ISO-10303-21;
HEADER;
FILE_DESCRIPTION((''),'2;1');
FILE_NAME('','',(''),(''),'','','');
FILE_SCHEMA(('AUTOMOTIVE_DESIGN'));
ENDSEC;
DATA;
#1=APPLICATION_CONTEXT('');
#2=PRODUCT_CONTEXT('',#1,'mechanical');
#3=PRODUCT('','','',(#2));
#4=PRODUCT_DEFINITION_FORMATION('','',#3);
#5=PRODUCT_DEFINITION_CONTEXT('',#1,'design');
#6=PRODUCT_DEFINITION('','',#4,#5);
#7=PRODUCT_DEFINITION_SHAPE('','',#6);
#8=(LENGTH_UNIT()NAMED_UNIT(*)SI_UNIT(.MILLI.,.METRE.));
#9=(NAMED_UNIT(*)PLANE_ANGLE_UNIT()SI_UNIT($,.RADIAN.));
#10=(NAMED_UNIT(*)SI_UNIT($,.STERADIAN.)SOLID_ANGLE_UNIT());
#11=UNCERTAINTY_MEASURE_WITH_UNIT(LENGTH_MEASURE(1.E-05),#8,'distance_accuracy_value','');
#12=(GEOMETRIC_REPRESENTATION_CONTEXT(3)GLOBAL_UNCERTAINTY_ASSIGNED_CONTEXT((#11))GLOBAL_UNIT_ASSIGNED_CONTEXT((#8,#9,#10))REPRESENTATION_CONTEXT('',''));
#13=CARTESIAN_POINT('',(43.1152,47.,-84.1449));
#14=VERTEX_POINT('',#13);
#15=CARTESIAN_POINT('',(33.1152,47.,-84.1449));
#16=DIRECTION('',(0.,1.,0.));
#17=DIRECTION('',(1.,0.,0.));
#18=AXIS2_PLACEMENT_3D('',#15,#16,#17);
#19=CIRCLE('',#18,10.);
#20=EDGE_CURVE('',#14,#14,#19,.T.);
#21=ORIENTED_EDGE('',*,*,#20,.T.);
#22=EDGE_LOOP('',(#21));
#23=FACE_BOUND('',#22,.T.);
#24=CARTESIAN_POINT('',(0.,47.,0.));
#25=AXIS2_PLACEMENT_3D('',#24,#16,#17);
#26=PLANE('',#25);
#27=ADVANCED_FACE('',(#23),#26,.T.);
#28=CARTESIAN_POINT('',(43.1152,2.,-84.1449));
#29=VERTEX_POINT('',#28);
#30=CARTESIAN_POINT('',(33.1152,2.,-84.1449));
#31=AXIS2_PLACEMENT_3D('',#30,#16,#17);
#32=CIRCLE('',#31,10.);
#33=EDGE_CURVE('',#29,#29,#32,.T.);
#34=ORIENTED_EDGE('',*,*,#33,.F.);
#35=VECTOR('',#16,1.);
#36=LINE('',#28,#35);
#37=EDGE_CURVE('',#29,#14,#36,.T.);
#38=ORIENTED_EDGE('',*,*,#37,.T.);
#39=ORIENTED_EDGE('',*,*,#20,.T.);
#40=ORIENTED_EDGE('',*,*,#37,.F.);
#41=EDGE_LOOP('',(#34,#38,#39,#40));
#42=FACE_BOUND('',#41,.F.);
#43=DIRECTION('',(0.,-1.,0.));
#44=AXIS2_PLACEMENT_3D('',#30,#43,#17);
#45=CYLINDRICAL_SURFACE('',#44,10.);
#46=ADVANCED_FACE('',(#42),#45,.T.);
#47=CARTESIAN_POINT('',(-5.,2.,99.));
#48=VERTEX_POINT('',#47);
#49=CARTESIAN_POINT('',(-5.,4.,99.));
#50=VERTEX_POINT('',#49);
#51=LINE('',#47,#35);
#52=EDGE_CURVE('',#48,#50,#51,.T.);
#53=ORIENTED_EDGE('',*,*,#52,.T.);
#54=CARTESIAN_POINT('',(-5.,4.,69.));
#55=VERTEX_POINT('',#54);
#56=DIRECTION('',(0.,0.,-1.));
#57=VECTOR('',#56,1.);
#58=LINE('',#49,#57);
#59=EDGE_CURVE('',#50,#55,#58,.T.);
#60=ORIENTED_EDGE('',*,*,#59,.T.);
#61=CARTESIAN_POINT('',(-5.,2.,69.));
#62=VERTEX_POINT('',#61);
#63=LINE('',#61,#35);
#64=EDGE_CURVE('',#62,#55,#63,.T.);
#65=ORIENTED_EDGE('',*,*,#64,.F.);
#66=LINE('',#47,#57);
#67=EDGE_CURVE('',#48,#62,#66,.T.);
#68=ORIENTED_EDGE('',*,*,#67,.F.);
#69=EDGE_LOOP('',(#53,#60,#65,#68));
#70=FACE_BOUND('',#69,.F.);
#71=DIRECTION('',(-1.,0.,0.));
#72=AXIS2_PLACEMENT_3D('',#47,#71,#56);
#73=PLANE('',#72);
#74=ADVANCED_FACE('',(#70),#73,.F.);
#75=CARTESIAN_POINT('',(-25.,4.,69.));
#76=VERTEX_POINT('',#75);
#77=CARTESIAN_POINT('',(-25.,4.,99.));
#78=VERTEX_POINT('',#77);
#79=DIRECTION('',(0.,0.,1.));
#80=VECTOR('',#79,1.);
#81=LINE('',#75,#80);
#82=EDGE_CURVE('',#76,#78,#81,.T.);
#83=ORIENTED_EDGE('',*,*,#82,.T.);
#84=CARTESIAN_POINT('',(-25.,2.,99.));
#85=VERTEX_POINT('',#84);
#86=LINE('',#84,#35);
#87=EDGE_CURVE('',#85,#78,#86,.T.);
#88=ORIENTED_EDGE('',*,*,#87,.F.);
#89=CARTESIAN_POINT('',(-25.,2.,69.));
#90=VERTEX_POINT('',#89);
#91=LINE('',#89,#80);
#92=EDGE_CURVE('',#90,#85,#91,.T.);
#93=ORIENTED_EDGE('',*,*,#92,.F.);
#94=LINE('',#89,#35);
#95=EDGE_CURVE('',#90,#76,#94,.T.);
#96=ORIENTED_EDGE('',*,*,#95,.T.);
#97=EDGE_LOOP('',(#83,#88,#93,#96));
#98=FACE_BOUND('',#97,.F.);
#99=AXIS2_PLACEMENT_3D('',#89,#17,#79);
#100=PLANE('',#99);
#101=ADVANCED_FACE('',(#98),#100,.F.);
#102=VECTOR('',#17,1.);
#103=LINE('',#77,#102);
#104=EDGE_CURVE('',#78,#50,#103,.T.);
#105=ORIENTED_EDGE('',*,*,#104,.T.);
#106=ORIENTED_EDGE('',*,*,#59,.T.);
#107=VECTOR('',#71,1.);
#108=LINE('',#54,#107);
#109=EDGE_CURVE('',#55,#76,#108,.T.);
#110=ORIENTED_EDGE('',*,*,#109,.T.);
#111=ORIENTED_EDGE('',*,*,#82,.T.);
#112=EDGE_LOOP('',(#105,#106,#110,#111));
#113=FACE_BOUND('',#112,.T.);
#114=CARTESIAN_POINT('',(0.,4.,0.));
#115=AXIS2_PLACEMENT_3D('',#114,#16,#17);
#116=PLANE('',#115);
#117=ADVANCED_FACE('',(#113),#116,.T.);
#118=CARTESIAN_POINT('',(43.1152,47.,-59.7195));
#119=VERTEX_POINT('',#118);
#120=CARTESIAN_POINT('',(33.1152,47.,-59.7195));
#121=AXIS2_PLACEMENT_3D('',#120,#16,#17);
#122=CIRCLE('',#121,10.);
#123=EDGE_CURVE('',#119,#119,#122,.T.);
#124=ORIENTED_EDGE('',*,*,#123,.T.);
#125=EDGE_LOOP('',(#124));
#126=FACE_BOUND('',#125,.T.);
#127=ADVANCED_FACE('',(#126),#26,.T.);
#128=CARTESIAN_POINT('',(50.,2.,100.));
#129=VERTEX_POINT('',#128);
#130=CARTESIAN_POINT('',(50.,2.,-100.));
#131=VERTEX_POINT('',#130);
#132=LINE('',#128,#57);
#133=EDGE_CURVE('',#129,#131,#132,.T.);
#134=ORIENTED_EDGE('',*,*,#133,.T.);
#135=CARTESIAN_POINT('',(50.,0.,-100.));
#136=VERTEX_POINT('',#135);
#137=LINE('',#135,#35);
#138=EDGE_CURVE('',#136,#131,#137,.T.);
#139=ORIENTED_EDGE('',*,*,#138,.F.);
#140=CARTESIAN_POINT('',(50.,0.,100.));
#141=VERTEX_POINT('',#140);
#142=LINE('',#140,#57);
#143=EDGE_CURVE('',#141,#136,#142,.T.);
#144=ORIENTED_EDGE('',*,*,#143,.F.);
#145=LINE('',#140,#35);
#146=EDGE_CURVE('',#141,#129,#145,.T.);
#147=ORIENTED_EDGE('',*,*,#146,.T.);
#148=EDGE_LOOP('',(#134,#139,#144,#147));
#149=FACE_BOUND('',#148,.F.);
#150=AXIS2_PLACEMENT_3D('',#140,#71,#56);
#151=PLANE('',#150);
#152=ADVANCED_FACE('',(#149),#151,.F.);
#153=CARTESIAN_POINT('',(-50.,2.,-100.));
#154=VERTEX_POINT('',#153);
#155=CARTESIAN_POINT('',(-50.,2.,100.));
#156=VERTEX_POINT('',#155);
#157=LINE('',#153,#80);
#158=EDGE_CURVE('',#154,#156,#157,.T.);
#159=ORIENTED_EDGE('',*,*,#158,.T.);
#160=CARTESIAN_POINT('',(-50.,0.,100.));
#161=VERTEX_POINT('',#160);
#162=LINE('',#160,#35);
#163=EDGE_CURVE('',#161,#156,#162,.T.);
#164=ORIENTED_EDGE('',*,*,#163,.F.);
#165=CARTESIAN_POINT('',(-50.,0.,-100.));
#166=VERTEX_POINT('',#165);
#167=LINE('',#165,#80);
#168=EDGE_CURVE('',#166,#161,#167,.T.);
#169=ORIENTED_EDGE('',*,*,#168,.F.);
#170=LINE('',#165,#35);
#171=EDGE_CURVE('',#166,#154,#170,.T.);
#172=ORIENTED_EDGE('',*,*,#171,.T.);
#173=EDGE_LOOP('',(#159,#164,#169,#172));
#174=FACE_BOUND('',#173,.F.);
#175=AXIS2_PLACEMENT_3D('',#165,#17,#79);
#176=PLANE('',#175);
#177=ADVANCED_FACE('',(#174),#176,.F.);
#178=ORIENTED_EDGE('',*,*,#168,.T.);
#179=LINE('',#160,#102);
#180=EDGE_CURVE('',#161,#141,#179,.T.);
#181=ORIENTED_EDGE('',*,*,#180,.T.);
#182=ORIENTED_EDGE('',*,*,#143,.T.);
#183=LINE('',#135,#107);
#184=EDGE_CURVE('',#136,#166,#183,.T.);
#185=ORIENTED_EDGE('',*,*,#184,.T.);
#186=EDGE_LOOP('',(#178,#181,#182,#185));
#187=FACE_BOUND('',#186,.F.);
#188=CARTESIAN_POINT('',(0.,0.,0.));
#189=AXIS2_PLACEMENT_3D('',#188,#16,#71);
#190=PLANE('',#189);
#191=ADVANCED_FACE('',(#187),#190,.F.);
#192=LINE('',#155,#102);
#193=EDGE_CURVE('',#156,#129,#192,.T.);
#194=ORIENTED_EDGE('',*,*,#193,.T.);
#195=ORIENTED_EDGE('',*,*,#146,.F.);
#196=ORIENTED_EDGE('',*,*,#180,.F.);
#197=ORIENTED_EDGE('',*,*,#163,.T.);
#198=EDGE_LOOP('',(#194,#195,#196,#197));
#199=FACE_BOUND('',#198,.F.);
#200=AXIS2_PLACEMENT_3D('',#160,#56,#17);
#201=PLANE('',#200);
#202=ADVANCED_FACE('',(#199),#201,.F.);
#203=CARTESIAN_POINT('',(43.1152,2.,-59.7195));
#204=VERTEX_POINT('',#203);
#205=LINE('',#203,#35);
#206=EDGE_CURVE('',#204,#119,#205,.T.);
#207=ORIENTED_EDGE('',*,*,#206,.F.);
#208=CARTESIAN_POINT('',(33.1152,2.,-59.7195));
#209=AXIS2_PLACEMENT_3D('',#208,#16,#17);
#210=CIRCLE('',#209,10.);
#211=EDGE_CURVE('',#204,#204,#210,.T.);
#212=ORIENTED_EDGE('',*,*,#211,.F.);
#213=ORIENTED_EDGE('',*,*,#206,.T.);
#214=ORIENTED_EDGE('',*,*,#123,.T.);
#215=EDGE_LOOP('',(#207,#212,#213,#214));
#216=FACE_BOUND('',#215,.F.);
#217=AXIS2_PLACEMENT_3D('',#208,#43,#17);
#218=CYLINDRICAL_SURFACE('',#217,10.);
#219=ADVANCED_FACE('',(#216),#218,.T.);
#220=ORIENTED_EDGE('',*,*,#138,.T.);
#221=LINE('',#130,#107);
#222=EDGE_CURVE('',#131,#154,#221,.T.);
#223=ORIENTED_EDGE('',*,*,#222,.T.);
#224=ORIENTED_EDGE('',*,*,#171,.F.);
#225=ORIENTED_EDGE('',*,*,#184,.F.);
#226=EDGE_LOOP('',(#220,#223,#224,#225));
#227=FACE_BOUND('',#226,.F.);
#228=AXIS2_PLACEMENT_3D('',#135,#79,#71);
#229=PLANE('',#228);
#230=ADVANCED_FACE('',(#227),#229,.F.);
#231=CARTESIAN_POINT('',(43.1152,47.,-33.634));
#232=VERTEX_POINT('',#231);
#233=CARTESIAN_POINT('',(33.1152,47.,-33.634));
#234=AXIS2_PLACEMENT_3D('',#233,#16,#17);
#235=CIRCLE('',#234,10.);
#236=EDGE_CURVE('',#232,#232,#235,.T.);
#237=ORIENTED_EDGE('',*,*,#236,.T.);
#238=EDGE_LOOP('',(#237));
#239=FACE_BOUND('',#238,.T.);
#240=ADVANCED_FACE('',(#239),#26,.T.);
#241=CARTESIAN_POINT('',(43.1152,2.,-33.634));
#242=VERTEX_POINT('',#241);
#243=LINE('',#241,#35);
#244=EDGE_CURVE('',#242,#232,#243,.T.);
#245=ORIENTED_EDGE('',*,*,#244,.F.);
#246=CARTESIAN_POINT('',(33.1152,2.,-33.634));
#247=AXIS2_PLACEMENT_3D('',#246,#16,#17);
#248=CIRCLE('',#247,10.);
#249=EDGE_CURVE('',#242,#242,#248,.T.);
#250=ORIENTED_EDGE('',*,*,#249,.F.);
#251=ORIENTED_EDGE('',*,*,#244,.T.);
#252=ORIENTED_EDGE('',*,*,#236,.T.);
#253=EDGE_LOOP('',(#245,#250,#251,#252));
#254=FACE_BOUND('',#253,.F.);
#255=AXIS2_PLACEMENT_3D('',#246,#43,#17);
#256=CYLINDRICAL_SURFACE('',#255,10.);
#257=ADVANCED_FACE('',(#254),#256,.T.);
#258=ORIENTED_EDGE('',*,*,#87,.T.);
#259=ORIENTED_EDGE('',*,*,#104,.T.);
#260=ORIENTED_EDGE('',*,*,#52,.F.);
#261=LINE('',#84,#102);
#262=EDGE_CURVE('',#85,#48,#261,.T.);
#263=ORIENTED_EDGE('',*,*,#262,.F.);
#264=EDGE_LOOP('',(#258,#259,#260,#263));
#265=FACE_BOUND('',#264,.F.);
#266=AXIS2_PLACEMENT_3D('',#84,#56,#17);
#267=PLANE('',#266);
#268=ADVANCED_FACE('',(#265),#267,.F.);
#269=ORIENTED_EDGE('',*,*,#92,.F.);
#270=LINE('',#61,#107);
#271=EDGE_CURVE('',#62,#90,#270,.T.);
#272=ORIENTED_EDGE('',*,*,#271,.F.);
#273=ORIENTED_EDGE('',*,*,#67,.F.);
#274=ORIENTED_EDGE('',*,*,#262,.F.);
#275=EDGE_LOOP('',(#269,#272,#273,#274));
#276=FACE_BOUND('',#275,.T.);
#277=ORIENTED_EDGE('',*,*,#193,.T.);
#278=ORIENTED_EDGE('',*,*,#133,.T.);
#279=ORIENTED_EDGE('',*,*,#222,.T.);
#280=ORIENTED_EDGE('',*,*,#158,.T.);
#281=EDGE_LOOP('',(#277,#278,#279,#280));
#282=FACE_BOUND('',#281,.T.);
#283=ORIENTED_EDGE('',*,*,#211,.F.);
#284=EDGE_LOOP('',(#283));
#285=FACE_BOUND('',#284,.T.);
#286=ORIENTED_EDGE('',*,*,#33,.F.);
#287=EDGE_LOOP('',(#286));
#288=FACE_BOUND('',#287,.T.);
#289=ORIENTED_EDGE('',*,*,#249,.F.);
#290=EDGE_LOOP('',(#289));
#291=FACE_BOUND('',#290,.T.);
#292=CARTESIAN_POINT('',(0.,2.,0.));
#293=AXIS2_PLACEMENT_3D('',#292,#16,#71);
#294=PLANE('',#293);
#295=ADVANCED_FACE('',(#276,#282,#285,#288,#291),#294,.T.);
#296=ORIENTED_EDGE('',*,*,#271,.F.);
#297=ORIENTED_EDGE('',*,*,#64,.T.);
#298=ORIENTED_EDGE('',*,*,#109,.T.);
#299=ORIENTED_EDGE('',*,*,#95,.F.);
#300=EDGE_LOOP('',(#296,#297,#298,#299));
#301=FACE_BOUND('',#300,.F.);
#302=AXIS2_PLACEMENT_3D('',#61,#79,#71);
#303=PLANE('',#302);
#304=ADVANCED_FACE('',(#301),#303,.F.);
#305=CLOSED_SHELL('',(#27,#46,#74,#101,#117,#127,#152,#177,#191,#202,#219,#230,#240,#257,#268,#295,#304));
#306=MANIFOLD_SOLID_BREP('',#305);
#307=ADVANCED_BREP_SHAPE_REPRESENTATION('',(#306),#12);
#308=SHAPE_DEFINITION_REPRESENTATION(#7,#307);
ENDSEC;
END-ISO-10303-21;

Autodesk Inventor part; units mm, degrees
ref_plane "YZ Plane" through (0, 0, 0) normal (1, 0, 0) x (0, 1, 0)
ref_plane "XZ Plane" through (0, 0, 0) normal (0, 1, 0) x (-1, 0, 0)
ref_plane "XY Plane" through (0, 0, 0) normal (0, 0, 1) x (1, 0, 0)
sketch "Sketch2" plane through (0, 0, 0) normal (0, 1, 0) x (-1, 0, 0)
  line L0 (-50, -100) -> (50, -100)
  line L1 (50, -100) -> (50, 100)
  line L2 (50, 100) -> (-50, 100)
  line L3 (-50, 100) -> (-50, -100)
  line L4 (-50, -100) -> (50, 100) construction
  line L5 (50, -100) -> (-50, 100) construction
  point P0 (0, 0)
  dimension "d0" = 200
  dimension "d1" = 100
extrude "Extrusion1" add sketch "Sketch2" along normal blind 2
sketch "Sketch3" plane through (0, 2, 0) normal (0, 1, 0) x (1, 0, 0)
  circle A0 centre (33.1152, 84.1449) radius 10
  circle A1 centre (33.1152, 59.7195) radius 10
  circle A2 centre (33.1152, 33.634) radius 10
  point P0 (0, 0)
  dimension "d4" = 20
  dimension "d5" = 20
  dimension "d6" = 20
extrude "Extrusion2" add sketch "Sketch3" along normal blind 45
sketch "Sketch4" plane through (0, 2, 0) normal (0, 1, 0) x (1, 0, 0)
  line L0 (-25, -99) -> (-5, -99)
  line L1 (-5, -99) -> (-5, -69)
  line L2 (-5, -69) -> (-25, -69)
  line L3 (-25, -69) -> (-25, -99)
  line L4 (-25, -99) -> (-5, -69) construction
  line L5 (-5, -99) -> (-25, -69) construction
  line L6 (-50, 100) -> (-50, -100) projected
  line L7 (-50, -100) -> (50, -100) projected
  point P0 (0, 0)
  point P1 (-15, -84)
  dimension "d9" = 25
  dimension "d10" = 45
  dimension "d11" = 30
  dimension "d12" = 1
extrude "Extrusion3" add sketch "Sketch4" along normal blind 2
equation "\"BendRadius\" = Thickness"
equation "\"BendReliefWidth\" = Thickness"
equation "\"BendReliefDepth\" = 0.5 * Thickness"
equation "\"CornerReliefSize\" = 4 * Thickness"
equation "\"MinimumRemnant\" = 2 * Thickness"
equation "\"TransitionRadius\" = BendRadius"
equation "\"JacobiRadiusSize\" = BendRadius"
equation "\"GapSize\" = Thickness"
equation "\"Thickness\" = 3.048"
properties part number "modelo placa"
